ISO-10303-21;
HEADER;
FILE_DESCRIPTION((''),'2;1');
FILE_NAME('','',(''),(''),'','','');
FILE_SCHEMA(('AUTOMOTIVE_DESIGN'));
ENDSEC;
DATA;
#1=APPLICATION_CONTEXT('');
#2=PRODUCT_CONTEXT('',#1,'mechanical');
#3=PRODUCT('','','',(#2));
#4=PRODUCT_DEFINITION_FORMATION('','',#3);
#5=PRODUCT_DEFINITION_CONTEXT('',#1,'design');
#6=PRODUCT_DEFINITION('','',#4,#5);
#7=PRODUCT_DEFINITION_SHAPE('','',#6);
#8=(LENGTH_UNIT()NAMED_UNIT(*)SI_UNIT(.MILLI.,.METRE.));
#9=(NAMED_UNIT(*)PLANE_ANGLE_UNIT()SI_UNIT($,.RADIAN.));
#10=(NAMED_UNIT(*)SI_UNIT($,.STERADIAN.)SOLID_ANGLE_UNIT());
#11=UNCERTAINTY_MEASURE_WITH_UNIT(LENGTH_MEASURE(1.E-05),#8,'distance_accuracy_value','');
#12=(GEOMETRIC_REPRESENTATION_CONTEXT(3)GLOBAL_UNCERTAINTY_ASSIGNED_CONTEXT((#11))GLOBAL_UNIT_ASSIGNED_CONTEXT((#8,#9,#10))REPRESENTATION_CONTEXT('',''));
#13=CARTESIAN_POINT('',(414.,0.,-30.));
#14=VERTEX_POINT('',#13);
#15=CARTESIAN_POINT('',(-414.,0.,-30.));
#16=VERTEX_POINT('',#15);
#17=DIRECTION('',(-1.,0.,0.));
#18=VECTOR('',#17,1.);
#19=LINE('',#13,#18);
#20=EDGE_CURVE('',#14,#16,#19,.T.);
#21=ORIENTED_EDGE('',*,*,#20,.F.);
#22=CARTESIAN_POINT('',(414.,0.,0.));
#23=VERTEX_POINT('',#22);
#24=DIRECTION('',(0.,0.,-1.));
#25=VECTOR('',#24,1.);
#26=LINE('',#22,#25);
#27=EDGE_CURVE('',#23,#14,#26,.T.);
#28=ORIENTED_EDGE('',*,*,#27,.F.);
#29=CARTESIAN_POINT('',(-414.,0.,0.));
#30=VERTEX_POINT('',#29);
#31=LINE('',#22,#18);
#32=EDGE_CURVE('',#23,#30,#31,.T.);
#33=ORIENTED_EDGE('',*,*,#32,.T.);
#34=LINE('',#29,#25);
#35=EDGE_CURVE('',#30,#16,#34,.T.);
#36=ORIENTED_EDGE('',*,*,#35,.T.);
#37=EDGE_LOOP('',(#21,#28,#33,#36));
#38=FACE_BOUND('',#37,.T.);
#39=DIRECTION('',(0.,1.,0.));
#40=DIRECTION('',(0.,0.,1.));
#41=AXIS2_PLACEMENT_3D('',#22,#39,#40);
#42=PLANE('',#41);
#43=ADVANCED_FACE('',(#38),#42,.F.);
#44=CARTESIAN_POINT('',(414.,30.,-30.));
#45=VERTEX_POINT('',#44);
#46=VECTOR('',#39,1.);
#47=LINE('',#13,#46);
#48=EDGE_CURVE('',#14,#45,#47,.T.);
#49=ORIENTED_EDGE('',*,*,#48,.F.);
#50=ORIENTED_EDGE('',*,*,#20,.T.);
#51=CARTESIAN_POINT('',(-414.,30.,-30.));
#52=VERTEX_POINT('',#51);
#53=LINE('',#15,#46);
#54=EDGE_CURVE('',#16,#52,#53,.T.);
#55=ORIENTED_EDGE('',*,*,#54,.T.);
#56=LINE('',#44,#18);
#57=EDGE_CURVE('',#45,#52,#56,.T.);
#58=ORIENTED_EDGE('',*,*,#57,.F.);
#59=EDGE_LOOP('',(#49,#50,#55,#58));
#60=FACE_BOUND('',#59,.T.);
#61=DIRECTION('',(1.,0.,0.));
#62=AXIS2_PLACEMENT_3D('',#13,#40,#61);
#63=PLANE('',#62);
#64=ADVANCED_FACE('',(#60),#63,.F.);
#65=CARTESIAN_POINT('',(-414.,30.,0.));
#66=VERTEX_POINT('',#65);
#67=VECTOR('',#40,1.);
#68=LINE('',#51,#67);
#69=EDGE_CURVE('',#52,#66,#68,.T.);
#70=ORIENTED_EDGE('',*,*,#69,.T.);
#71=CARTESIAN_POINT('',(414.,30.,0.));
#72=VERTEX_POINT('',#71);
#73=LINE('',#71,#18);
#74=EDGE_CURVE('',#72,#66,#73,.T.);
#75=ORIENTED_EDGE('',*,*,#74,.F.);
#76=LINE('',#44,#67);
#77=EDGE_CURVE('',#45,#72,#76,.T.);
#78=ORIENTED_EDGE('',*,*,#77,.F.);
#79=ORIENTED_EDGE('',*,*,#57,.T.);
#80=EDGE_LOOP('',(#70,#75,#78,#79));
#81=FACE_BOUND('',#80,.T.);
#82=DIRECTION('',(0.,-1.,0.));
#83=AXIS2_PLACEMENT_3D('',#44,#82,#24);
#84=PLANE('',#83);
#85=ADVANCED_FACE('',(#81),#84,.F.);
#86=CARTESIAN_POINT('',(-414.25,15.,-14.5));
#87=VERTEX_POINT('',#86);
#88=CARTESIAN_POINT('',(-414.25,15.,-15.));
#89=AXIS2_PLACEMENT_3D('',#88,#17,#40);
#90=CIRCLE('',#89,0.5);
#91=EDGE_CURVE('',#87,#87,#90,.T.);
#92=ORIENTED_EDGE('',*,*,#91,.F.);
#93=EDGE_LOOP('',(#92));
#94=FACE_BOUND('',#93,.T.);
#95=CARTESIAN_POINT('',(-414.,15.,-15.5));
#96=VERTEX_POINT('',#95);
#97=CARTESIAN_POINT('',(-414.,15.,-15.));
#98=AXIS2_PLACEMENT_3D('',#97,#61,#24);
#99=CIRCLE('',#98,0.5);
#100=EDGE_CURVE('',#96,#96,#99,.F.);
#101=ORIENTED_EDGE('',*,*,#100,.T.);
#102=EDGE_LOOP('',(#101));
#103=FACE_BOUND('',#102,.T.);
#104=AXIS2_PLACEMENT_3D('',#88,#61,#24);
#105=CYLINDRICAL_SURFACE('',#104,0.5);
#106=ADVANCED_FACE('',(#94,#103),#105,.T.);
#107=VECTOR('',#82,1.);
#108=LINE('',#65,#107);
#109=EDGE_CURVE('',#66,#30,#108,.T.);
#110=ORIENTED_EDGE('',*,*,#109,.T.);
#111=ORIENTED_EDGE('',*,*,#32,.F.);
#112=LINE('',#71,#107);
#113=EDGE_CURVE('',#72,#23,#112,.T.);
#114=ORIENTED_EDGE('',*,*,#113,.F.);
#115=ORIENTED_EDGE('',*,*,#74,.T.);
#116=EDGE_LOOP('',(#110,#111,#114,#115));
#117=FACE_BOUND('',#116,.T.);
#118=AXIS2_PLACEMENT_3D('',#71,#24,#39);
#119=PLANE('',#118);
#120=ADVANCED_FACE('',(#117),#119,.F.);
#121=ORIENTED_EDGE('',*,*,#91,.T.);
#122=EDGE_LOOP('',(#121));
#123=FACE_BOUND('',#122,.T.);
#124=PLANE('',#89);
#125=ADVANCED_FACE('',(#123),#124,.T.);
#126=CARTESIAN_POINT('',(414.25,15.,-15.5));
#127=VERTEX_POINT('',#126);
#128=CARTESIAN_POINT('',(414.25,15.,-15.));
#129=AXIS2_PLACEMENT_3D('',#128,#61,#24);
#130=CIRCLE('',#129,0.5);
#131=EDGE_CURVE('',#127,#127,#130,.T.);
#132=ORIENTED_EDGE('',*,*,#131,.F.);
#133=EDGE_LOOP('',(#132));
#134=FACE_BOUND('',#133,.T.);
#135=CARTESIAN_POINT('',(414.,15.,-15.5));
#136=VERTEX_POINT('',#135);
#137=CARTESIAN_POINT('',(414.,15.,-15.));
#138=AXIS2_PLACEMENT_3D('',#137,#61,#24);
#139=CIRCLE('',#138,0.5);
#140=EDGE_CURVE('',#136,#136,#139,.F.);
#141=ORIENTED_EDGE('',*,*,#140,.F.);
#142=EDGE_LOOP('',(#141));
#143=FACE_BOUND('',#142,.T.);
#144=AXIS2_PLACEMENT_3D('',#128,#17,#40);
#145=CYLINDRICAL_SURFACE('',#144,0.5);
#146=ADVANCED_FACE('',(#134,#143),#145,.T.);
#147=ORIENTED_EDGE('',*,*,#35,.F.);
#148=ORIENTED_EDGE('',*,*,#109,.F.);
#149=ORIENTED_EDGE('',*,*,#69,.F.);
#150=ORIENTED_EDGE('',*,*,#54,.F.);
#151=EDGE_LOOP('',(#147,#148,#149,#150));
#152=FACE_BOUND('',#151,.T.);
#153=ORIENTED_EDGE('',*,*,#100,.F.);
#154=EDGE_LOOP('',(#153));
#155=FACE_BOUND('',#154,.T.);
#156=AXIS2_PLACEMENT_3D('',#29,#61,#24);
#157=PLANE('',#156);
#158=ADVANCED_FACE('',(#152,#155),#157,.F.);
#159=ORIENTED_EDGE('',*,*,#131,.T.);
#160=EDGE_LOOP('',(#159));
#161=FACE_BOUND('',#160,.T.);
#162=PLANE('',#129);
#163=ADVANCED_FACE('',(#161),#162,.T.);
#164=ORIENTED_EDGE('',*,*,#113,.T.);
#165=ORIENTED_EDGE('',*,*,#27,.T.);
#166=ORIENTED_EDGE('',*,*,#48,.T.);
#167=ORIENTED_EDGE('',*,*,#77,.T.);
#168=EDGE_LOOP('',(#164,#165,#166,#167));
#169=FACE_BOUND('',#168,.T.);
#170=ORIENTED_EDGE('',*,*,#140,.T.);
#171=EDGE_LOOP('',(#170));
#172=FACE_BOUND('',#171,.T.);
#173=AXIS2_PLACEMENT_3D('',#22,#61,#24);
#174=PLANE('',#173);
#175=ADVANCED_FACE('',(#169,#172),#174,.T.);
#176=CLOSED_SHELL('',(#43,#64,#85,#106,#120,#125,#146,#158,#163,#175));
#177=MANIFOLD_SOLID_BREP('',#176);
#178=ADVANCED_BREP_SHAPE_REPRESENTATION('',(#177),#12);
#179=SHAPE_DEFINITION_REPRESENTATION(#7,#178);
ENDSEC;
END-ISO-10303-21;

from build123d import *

# Parameters (mm, degrees)
SKETCH1_W           = 30
SKETCH1_H           = 30
BOSS_EXTRUDE2_DEPTH = 414
SKETCH3_R           = 0.5
BOSS_EXTRUDE3_DEPTH = 0.25
SKETCH4_R           = 0.5
BOSS_EXTRUDE4_DEPTH = 0.25


with BuildPart() as part:
    # Sketch1 → Boss-Extrude2 (new body, symmetric)
    with BuildSketch(Plane(origin=(0, 0, 0), x_dir=(0, 0, -1), z_dir=(1, 0, 0))):
        with Locations((15, 15)):
            Rectangle(SKETCH1_W, SKETCH1_H)
    extrude(amount=BOSS_EXTRUDE2_DEPTH, both=True)

    # Sketch3 → Boss-Extrude3 (add, symmetric)
    with BuildSketch(Plane.ZY.offset(414)):
        with Locations((-15, 15)):
            Circle(SKETCH3_R)
    extrude(amount=BOSS_EXTRUDE3_DEPTH, both=True)

    # Sketch4 → Boss-Extrude4 (add, symmetric)
    with BuildSketch(Plane(origin=(414, 0, 0), x_dir=(0, 0, -1), z_dir=(1, 0, 0))):
        with Locations((15, 15)):
            Circle(SKETCH4_R)
    extrude(amount=BOSS_EXTRUDE4_DEPTH, both=True)


solid = part.part
